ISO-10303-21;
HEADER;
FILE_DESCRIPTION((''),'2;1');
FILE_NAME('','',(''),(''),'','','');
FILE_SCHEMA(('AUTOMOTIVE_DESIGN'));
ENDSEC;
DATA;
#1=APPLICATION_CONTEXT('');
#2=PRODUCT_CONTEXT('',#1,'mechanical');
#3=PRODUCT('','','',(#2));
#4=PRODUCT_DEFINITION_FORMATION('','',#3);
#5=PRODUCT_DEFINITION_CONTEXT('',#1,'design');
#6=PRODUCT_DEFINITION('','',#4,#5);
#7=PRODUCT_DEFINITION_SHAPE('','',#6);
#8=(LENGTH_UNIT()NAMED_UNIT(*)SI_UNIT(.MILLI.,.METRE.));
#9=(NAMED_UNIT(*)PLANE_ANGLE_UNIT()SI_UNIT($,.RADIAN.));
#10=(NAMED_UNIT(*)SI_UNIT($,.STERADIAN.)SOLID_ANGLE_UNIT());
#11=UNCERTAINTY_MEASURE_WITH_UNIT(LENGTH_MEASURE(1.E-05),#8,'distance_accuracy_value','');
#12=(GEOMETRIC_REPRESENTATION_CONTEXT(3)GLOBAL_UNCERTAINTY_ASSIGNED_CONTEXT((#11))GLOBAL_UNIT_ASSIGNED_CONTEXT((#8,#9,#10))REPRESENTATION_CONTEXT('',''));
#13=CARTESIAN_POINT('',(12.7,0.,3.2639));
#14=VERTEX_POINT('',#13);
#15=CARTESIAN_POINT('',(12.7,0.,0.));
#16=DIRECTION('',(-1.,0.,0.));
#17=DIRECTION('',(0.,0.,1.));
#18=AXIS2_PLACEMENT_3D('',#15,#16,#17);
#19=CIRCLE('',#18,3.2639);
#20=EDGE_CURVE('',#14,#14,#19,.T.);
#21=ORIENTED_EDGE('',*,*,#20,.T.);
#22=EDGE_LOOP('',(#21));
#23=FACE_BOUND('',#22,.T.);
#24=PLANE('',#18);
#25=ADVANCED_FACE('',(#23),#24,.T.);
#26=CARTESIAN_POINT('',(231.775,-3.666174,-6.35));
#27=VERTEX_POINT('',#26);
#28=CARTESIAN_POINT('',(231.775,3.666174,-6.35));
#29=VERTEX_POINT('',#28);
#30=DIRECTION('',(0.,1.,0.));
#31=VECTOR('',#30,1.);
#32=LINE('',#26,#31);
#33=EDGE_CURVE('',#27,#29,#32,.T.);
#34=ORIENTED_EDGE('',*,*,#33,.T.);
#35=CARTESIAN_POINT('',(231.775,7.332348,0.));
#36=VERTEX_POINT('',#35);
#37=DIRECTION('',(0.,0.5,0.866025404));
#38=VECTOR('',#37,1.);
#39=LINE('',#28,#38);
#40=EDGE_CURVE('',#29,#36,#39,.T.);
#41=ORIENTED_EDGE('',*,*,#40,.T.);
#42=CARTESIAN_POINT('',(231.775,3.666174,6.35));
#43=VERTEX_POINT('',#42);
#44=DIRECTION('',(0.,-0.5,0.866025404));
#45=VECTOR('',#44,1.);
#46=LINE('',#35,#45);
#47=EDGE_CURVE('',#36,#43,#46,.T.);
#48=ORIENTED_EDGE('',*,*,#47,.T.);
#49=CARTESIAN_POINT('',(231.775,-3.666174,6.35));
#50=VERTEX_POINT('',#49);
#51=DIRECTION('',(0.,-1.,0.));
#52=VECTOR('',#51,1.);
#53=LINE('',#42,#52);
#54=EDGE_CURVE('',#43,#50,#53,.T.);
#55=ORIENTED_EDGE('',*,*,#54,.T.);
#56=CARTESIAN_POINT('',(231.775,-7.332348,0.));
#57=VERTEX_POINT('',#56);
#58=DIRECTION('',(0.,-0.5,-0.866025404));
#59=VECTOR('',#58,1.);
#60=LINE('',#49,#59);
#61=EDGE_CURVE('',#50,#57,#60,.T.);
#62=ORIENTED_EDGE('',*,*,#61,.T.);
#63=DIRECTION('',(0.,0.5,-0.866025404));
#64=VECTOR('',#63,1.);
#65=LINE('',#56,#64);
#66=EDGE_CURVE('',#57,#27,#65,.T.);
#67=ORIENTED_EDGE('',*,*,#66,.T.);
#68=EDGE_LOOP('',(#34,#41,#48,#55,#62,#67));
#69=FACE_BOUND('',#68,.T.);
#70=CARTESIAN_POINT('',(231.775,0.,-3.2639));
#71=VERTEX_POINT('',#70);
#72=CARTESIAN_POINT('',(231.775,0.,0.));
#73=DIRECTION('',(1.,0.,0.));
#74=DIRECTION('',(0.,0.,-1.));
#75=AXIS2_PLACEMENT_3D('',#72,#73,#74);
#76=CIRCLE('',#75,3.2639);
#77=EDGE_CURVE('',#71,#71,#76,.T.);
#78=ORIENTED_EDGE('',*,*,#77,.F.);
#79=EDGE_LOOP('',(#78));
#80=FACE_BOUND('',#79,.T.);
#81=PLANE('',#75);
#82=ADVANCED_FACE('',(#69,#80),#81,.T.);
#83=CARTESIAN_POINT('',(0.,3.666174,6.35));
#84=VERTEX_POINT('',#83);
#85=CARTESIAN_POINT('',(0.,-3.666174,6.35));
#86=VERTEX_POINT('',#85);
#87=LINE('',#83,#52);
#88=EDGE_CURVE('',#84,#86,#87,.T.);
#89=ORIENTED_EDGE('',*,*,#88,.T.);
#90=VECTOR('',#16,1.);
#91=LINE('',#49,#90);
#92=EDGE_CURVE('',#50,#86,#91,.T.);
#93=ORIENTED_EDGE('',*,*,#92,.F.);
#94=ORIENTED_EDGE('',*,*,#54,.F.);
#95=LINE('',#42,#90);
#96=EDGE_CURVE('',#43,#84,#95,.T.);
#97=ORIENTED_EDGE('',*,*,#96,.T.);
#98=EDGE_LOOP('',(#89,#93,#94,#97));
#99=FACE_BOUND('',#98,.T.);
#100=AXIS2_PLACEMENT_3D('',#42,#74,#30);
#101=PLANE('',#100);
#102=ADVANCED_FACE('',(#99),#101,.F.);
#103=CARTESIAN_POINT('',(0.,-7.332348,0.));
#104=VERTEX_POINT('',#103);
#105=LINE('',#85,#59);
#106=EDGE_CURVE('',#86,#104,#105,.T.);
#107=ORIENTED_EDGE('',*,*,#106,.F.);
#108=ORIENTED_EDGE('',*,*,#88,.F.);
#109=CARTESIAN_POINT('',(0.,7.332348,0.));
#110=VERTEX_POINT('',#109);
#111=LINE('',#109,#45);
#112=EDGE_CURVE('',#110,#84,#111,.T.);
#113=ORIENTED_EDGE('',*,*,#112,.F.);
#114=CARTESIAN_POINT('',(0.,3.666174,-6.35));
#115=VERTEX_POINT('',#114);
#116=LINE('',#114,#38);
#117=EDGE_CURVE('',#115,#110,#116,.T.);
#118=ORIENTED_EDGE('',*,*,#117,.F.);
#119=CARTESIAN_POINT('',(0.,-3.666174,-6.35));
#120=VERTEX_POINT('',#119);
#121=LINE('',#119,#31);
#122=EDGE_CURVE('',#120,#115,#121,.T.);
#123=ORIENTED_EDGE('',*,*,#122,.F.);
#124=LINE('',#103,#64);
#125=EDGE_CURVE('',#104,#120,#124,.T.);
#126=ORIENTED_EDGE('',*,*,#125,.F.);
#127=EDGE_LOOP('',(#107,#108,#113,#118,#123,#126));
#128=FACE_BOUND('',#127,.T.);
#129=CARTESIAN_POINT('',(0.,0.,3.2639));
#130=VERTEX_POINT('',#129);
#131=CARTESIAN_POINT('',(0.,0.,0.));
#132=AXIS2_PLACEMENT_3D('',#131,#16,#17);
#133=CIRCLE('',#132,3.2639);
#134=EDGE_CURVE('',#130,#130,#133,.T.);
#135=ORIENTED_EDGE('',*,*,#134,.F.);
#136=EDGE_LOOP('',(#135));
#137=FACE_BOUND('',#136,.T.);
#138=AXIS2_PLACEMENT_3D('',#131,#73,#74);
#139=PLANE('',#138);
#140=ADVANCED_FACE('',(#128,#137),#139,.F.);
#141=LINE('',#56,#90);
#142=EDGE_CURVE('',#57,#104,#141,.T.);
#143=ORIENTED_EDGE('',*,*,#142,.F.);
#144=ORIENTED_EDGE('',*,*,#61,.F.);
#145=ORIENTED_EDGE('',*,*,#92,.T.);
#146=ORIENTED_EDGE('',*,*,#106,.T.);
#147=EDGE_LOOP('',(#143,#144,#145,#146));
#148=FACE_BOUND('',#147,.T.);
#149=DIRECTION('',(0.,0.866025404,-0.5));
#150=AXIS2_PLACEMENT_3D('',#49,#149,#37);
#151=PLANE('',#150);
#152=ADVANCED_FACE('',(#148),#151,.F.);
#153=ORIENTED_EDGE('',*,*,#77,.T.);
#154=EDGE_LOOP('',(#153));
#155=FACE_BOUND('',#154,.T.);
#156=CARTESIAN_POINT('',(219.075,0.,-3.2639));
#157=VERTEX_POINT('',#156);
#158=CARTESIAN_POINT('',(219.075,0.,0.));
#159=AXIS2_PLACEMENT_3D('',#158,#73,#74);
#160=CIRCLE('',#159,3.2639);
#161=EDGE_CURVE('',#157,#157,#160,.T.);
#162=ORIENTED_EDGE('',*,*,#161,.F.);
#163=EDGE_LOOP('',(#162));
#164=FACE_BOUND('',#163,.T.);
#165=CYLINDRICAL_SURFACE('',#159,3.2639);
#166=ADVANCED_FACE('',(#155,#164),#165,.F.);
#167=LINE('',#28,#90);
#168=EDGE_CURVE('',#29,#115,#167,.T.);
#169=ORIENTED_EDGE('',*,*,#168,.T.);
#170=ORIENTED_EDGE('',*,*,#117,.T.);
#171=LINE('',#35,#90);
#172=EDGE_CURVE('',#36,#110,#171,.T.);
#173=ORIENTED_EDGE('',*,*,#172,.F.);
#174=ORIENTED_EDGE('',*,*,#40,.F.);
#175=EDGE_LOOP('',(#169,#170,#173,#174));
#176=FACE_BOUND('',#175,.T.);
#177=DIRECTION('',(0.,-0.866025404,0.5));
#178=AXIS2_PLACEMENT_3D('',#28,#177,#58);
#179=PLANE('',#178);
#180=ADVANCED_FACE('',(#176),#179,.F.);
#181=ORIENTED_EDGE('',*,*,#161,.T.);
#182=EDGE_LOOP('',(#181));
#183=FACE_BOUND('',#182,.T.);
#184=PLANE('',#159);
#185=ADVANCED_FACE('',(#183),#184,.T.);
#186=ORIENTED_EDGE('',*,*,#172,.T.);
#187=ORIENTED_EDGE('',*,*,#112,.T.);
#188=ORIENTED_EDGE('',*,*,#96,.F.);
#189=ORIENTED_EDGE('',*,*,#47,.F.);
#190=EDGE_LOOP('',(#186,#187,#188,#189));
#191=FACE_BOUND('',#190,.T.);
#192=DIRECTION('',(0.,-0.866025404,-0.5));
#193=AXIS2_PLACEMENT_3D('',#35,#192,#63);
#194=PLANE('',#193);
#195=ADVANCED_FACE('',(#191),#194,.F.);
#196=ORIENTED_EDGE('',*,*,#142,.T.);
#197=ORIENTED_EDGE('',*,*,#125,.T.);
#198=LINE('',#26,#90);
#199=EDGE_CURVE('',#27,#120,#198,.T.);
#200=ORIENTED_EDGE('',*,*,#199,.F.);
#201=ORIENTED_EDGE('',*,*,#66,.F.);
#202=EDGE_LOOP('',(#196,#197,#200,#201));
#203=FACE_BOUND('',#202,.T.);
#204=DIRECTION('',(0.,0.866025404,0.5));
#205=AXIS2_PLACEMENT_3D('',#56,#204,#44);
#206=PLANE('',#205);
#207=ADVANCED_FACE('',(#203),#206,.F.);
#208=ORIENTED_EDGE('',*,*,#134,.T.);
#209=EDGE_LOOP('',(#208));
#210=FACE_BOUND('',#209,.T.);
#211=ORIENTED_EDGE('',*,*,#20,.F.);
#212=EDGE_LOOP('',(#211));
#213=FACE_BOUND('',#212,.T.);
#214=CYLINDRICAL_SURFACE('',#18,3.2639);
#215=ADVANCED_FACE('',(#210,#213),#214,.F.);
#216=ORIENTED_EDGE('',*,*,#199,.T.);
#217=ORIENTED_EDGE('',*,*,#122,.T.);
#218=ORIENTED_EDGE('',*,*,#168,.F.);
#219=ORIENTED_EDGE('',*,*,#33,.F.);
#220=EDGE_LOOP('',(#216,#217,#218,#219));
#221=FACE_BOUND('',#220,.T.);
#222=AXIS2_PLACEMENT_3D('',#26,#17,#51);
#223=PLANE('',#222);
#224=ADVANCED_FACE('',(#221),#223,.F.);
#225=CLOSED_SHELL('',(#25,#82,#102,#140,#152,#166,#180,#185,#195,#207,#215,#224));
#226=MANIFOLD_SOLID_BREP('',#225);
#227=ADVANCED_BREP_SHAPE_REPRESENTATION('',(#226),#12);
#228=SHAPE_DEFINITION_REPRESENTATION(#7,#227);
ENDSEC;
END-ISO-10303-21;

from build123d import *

# Parameters (mm, degrees)
BOSS_EXTRUDE1_DEPTH = 231.775
SKETCH2_R           = 3.2639
CUT_EXTRUDE1_DEPTH  = 12.7
SKETCH3_R           = 3.2639
CUT_EXTRUDE2_DEPTH  = 12.7


with BuildPart() as part:
    # Sketch1 → Boss-Extrude1 (new body)
    with BuildSketch(Plane(origin=(0, 0, 0), x_dir=(0, 0, -1), z_dir=(1, 0, 0))):
        Polygon((0, 7.332348419), (-6.35, 3.666174209), (-6.35, -3.666174209), (0, -7.332348419), (6.35, -3.666174209), (6.35, 3.666174209), align=None)
    extrude(amount=BOSS_EXTRUDE1_DEPTH)

    # Sketch2 → Cut-Extrude1 (cut)
    with BuildSketch(Plane(origin=(231.775, 0, 0), x_dir=(0, 0, -1), z_dir=(1, 0, 0))):
        Circle(SKETCH2_R)
    extrude(amount=-CUT_EXTRUDE1_DEPTH, mode=Mode.SUBTRACT)

    # Sketch3 → Cut-Extrude2 (cut)
    with BuildSketch(Plane.ZY):
        Circle(SKETCH3_R)
    extrude(amount=-CUT_EXTRUDE2_DEPTH, mode=Mode.SUBTRACT)


solid = part.part
